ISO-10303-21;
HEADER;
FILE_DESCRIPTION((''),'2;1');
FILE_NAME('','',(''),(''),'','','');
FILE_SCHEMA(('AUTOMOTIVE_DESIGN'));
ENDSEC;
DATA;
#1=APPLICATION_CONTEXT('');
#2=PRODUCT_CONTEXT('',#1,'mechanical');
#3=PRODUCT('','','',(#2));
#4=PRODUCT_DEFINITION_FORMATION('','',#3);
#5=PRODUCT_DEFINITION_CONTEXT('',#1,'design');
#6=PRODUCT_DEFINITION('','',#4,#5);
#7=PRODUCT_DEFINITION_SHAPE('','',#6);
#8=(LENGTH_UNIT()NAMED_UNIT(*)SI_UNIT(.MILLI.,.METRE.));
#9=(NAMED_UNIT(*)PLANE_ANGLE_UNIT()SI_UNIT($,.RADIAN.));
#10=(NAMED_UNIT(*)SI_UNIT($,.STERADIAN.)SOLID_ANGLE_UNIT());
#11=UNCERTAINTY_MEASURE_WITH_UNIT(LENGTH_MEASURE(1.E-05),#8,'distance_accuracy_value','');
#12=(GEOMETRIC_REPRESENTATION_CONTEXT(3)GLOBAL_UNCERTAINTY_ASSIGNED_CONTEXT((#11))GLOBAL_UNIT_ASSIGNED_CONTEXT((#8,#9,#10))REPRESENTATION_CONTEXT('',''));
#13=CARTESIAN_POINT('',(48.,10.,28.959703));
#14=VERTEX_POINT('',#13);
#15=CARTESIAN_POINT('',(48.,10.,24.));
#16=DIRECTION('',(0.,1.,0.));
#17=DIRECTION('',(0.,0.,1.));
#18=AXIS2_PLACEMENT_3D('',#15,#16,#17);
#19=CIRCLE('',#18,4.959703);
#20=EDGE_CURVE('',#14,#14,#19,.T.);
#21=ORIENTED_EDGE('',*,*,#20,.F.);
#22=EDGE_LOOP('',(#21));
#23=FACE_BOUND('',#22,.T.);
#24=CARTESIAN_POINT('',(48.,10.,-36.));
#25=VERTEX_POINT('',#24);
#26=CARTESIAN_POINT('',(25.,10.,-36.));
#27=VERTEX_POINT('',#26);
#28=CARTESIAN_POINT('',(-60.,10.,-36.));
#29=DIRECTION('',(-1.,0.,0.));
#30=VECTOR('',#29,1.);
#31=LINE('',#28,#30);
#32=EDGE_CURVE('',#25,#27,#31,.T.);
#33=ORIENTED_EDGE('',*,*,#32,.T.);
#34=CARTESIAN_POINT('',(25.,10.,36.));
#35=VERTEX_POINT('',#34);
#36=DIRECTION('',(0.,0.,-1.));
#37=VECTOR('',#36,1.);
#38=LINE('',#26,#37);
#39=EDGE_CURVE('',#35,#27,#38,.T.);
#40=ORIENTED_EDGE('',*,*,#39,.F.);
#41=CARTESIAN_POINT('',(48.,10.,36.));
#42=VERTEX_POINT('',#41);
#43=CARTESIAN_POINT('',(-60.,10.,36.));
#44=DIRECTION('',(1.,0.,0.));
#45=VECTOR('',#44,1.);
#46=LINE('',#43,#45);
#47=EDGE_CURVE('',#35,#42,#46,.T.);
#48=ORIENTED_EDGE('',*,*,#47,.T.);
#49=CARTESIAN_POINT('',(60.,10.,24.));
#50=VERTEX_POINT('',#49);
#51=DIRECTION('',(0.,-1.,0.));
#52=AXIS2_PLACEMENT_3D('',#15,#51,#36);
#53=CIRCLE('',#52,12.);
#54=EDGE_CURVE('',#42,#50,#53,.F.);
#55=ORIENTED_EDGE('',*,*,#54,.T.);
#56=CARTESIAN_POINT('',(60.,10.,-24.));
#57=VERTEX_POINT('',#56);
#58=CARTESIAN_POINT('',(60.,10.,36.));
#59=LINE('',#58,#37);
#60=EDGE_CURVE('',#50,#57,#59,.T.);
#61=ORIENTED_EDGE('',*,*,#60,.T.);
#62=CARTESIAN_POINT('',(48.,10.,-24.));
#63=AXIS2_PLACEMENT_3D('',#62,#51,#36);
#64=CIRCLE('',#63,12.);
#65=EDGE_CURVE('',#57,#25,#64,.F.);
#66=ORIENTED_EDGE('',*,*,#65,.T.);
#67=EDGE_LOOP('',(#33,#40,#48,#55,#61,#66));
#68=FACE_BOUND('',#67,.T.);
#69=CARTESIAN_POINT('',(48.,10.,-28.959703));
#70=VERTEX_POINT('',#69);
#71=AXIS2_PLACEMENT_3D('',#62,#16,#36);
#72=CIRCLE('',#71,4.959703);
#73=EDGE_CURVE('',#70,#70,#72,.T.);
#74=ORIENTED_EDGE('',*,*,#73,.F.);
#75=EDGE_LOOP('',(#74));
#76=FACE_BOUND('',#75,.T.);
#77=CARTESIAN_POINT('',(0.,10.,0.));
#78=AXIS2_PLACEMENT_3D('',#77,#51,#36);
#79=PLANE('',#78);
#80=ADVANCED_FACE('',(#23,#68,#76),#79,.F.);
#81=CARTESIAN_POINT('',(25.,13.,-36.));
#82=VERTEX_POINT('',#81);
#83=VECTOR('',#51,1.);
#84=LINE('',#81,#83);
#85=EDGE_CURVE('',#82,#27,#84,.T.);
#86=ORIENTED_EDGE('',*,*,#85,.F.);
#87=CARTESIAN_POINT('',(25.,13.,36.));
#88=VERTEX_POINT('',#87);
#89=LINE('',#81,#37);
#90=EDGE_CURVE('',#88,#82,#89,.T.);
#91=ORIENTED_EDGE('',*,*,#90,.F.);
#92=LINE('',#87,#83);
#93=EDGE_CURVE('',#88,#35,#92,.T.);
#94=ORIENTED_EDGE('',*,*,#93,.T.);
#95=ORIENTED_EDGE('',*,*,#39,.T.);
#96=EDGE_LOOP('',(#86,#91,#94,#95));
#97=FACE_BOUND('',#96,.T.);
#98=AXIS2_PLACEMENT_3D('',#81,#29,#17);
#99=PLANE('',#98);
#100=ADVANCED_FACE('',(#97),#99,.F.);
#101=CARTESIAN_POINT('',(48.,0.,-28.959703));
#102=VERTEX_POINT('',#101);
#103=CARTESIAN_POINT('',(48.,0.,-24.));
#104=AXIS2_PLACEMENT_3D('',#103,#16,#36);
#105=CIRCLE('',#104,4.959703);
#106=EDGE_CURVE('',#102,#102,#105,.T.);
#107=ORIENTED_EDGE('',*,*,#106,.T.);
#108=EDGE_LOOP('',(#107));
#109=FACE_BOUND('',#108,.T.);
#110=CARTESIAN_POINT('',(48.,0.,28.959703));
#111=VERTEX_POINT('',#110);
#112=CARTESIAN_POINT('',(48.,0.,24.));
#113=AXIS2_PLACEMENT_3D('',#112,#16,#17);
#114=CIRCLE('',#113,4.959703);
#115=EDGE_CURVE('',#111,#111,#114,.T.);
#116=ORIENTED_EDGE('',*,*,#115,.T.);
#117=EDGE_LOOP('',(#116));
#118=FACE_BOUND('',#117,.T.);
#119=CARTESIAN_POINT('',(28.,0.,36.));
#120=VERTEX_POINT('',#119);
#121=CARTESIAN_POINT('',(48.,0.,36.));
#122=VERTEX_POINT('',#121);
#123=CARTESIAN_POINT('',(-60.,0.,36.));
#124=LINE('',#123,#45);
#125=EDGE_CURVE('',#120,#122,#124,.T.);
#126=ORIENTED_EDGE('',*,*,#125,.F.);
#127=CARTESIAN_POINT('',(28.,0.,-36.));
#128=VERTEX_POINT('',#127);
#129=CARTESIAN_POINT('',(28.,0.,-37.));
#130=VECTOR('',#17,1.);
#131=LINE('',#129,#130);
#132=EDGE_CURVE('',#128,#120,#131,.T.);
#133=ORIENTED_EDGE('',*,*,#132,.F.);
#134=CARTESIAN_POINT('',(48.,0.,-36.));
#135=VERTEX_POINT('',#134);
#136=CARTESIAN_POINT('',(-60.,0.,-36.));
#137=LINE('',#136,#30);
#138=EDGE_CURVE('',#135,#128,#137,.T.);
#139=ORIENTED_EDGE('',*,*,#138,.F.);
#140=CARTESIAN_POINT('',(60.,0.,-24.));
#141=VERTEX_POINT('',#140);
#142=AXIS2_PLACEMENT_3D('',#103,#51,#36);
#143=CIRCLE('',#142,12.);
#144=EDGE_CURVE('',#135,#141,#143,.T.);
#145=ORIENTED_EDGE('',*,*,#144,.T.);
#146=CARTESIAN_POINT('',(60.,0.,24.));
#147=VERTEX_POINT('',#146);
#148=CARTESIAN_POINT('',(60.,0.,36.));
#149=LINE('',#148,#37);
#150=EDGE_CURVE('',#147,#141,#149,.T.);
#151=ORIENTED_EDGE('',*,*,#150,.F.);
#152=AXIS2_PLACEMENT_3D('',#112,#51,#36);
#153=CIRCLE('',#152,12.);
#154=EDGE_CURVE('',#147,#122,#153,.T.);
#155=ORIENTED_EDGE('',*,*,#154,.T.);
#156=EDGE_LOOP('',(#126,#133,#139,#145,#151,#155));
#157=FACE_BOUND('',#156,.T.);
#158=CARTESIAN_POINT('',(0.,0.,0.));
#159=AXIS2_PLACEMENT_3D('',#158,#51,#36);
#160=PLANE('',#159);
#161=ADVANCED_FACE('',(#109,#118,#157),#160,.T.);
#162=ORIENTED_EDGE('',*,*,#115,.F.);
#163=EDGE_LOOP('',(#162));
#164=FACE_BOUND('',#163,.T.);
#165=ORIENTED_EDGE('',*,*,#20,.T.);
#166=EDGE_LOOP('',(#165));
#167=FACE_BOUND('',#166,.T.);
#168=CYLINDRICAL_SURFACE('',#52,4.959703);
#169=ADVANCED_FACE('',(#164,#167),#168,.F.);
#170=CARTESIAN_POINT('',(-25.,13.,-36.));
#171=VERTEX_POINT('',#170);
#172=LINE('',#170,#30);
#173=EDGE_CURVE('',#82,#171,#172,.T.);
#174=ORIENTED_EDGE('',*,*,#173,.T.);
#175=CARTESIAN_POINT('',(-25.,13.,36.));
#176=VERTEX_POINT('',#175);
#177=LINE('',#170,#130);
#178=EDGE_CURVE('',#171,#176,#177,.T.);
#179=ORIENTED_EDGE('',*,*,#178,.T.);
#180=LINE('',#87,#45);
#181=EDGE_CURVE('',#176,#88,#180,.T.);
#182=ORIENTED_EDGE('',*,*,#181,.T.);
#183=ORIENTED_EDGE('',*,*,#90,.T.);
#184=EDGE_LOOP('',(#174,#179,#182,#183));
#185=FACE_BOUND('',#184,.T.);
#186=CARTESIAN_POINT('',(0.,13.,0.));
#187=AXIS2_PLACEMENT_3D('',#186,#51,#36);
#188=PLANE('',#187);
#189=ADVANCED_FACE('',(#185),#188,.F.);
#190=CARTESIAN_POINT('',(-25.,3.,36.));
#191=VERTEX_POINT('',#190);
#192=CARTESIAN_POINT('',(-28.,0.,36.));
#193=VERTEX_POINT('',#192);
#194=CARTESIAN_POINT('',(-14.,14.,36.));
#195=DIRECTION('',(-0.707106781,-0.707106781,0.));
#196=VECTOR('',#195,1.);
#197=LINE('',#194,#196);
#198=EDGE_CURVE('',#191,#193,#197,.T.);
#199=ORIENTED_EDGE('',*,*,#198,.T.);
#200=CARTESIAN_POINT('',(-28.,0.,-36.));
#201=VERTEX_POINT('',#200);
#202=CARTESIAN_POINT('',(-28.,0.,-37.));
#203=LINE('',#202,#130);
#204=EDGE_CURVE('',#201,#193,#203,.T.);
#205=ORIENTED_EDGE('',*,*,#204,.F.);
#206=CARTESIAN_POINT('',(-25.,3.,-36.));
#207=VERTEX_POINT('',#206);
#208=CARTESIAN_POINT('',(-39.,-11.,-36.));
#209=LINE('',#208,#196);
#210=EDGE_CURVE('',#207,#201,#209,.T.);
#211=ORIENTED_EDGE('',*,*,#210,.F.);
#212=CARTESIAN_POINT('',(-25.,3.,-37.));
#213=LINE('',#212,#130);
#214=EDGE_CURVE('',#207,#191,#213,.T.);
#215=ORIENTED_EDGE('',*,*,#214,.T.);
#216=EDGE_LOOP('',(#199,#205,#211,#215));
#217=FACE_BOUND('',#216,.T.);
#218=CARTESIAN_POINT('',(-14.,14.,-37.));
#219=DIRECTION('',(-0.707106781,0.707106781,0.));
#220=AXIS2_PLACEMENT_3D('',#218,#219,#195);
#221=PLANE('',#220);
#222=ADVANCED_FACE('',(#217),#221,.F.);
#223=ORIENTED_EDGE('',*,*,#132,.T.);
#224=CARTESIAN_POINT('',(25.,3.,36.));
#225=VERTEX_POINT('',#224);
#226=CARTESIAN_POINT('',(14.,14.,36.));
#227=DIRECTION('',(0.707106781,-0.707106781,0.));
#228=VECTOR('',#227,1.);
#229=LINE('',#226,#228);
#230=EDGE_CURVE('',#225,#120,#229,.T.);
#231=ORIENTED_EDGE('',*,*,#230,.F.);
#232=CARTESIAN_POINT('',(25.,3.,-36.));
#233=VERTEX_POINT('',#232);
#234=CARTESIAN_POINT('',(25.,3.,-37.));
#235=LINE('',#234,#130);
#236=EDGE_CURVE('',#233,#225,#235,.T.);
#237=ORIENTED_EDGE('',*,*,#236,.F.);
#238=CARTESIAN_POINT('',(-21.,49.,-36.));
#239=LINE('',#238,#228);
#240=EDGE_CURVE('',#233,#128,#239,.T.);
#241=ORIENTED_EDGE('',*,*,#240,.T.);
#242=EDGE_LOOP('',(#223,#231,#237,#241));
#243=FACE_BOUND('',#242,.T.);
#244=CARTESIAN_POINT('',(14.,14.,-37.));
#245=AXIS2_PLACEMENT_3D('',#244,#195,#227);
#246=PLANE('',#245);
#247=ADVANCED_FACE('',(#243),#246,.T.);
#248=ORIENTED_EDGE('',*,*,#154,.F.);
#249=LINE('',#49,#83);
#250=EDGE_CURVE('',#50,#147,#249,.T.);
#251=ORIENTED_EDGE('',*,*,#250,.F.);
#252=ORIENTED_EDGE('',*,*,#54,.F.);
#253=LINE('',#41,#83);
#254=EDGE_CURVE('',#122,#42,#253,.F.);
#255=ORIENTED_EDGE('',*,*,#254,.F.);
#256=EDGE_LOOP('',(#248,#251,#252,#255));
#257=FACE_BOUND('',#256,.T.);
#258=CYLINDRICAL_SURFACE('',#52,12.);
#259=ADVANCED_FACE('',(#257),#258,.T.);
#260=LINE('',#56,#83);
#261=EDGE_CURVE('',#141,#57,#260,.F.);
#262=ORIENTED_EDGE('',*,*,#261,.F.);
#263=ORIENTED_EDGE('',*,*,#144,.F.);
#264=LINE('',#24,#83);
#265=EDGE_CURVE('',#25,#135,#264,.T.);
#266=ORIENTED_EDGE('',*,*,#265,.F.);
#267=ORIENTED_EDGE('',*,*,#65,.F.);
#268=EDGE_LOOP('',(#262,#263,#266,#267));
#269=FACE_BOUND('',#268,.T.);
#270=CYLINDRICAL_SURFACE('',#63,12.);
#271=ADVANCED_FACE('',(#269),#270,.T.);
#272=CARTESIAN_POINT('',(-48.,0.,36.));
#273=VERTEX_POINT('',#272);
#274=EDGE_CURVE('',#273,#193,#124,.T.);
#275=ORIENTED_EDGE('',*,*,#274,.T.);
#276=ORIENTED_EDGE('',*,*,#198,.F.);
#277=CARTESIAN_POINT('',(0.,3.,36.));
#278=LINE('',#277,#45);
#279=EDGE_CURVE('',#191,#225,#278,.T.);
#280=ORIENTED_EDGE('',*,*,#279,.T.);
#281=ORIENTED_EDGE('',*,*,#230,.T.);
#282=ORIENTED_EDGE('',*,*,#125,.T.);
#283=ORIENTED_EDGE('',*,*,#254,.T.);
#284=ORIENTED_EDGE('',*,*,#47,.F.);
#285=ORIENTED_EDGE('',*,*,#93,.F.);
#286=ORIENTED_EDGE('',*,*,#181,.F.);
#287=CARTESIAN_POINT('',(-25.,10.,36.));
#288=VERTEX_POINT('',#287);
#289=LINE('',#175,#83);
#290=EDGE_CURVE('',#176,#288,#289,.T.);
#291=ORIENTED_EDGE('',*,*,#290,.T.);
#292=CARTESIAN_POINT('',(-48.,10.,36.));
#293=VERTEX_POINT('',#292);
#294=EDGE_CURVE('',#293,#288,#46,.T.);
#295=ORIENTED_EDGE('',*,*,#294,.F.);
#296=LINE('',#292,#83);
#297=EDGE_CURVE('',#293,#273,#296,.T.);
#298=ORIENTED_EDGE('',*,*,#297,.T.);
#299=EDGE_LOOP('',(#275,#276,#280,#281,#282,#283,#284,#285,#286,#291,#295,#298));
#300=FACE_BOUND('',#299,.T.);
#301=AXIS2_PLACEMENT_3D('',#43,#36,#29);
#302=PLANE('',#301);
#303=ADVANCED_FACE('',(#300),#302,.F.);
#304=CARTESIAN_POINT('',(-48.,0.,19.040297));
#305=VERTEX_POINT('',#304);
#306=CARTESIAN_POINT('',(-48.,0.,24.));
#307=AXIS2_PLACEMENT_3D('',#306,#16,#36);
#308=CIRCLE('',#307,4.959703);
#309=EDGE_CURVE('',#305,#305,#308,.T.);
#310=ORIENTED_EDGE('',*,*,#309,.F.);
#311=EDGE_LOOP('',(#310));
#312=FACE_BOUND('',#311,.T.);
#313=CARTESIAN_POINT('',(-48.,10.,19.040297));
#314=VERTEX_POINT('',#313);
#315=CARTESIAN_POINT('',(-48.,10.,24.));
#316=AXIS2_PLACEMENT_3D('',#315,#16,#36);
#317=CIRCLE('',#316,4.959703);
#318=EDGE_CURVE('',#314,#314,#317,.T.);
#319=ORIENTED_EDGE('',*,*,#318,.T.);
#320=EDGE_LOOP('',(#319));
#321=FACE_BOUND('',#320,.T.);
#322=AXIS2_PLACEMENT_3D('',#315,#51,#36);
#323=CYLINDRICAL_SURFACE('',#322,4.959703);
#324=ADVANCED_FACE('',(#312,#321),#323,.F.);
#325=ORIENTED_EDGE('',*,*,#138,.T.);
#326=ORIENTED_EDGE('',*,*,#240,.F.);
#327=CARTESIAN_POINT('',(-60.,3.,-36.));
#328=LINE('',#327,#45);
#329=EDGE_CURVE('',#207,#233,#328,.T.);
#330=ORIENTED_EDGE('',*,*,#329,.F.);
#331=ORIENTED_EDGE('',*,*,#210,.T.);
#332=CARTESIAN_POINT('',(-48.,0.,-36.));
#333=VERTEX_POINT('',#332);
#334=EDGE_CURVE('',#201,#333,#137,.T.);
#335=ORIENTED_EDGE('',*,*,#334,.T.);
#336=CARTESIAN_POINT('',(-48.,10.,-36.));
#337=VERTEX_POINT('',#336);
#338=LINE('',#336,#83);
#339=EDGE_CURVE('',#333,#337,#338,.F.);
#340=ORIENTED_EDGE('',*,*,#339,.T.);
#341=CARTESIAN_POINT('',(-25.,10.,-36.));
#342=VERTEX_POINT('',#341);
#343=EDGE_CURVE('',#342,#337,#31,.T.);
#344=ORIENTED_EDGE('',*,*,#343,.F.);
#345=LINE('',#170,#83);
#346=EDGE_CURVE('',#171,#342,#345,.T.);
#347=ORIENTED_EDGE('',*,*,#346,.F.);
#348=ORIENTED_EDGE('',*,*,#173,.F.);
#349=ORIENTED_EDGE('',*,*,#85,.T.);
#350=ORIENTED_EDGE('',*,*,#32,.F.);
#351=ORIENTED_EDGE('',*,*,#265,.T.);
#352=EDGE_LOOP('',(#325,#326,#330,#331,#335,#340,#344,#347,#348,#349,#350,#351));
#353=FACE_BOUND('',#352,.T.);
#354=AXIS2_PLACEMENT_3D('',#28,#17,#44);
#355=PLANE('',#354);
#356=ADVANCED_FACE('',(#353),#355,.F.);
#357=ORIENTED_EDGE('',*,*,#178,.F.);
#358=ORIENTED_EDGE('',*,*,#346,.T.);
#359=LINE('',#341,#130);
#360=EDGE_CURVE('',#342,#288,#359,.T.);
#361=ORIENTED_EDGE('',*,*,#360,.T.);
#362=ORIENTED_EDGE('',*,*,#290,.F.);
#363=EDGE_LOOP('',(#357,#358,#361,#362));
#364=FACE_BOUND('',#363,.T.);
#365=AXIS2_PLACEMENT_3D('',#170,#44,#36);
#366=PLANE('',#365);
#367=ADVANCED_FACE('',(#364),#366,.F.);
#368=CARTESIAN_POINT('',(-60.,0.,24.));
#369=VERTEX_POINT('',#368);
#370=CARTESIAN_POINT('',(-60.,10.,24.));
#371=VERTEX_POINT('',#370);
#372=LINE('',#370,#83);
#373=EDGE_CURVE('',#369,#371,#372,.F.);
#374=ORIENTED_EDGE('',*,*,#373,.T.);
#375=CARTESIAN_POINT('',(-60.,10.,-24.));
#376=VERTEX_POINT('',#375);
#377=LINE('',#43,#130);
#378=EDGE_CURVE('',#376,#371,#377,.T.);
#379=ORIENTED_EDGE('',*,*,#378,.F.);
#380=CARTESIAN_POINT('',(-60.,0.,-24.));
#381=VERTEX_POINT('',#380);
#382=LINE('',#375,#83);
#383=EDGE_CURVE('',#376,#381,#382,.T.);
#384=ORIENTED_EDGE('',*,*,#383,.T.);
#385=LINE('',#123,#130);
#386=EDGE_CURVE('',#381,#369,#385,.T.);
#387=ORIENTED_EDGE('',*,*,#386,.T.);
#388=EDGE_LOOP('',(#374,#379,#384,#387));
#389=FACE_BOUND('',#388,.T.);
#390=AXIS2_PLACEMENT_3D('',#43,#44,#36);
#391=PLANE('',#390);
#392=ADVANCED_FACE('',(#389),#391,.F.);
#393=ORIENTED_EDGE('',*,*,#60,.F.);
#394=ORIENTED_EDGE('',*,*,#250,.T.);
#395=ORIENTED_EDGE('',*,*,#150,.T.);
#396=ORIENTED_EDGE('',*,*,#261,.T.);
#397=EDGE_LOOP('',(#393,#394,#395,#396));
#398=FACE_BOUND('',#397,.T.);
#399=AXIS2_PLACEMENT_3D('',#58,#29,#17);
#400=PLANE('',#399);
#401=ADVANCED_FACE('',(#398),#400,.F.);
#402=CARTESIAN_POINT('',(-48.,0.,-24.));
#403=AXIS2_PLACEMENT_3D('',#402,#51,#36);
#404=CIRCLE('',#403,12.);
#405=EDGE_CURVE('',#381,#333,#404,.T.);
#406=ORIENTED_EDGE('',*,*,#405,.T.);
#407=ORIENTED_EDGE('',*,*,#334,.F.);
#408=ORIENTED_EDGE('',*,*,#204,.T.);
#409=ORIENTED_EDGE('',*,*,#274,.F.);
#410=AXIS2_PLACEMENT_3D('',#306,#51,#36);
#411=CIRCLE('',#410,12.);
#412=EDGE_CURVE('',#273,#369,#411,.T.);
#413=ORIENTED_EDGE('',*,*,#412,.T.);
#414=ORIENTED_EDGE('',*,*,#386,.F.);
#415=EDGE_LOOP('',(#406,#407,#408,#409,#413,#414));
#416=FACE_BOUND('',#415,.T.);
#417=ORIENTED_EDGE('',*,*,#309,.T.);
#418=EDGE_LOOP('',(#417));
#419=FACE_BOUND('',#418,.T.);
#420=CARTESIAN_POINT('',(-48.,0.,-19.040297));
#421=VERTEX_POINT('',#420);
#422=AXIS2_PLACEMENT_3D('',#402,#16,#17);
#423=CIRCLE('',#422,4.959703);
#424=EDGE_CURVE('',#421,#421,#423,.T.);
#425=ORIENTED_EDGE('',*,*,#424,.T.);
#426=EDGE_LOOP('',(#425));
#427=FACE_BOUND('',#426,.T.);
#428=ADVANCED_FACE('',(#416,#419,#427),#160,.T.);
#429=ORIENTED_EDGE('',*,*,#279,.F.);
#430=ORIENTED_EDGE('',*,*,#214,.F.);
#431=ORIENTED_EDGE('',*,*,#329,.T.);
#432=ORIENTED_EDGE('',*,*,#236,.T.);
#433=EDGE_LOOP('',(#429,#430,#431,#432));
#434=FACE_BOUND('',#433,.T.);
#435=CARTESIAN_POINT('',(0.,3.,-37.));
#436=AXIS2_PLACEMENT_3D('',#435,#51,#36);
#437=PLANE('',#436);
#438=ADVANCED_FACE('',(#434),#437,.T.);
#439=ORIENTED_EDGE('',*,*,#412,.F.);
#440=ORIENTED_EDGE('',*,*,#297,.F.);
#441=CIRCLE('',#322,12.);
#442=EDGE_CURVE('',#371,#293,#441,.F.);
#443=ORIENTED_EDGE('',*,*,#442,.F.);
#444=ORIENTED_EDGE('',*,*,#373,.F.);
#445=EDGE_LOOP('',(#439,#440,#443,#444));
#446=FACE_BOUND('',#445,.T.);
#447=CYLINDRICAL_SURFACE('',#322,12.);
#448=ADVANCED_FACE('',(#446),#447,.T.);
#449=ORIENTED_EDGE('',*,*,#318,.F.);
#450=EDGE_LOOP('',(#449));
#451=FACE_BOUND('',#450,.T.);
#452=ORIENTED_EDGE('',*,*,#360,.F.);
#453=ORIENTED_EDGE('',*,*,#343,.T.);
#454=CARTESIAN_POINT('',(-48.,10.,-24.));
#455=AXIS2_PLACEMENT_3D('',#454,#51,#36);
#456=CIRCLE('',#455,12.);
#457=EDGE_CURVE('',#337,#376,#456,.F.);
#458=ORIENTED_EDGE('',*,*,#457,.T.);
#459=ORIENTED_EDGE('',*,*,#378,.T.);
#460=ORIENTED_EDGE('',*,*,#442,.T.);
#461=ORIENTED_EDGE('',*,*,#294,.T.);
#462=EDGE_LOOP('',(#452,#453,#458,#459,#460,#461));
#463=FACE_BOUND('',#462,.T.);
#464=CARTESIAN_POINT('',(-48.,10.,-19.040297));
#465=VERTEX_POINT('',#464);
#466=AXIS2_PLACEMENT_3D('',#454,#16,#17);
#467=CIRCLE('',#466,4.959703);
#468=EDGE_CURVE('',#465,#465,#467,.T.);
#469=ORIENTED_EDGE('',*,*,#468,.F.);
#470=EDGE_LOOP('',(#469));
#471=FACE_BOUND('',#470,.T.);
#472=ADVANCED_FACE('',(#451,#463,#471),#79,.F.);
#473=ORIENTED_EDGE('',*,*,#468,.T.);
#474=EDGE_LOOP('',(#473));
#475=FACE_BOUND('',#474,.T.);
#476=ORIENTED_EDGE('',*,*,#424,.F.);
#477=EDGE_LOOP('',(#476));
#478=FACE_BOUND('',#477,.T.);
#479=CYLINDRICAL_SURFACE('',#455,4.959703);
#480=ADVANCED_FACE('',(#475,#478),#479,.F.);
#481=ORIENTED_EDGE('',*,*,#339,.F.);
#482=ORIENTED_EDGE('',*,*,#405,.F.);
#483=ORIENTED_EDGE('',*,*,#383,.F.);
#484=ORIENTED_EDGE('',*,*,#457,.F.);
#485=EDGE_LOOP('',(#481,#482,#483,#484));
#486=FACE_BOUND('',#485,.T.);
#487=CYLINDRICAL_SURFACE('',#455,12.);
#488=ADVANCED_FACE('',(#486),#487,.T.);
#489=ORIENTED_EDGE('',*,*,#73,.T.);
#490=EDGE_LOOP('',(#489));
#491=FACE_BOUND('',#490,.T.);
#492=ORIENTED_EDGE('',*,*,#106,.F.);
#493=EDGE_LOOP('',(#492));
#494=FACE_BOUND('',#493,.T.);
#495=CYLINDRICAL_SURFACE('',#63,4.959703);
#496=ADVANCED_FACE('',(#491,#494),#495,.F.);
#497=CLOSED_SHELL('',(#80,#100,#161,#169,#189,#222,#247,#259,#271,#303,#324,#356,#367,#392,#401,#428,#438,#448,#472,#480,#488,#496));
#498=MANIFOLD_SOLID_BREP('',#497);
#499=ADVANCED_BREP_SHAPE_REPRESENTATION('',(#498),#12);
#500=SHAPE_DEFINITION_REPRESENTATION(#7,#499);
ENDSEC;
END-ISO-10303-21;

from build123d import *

# Parameters (mm, degrees)
SKETCH1_W           = 120
SKETCH1_H           = 72
SKETCH1_R           = 4.95970326
BOSS_EXTRUDE1_DEPTH = 10
FILLET1_R           = 12
CUT_EXTRUDE1_DEPTH  = 73
SKETCH3_W           = 50
SKETCH3_H           = 72
BOSS_EXTRUDE2_DEPTH = 3


with BuildPart() as part:
    # Sketch1 → Boss-Extrude1 (new body)
    with BuildSketch(Plane(origin=(0, 0, 0), x_dir=(1, 0, 0), z_dir=(0, 1, 0))):
        Rectangle(SKETCH1_W, SKETCH1_H)
        with Locations(Location((-48, 24, 0), (0, 0, 270))):
            Circle(SKETCH1_R, mode=Mode.SUBTRACT)
        with Locations(Location((48, 24, 0), (0, 0, 90))):
            Circle(SKETCH1_R, mode=Mode.SUBTRACT)
        with Locations(Location((48, -24, 0), (0, 0, 270))):
            Circle(SKETCH1_R, mode=Mode.SUBTRACT)
        with Locations(Location((-48, -24, 0), (0, 0, 90))):
            Circle(SKETCH1_R, mode=Mode.SUBTRACT)
    extrude(amount=BOSS_EXTRUDE1_DEPTH)

    # Fillet1
    fillet1_edges = [part.edges().sort_by_distance(p)[0] for p in [
        (60, 5, 36),
        (-60, 5, 36),
        (-60, 5, -36),
        (60, 5, -36),
    ]]
    fillet(fillet1_edges, radius=FILLET1_R)

    # Sketch2 → Cut-Extrude1 (cut)
    with BuildSketch(Plane.XY.offset(36)):
        Polygon((-28, 0), (0, 0), (0, 3), (-25, 3), align=None)
        Polygon((0, 3), (0, 0), (28, 0), (25, 3), align=None)
    extrude(amount=-CUT_EXTRUDE1_DEPTH, mode=Mode.SUBTRACT)

    # Sketch3 → Boss-Extrude2 (add)
    with BuildSketch(Plane(origin=(0, 10, 0), x_dir=(1, 0, 0), z_dir=(0, 1, 0))):
        Rectangle(SKETCH3_W, SKETCH3_H)
    extrude(amount=BOSS_EXTRUDE2_DEPTH)


solid = part.part
